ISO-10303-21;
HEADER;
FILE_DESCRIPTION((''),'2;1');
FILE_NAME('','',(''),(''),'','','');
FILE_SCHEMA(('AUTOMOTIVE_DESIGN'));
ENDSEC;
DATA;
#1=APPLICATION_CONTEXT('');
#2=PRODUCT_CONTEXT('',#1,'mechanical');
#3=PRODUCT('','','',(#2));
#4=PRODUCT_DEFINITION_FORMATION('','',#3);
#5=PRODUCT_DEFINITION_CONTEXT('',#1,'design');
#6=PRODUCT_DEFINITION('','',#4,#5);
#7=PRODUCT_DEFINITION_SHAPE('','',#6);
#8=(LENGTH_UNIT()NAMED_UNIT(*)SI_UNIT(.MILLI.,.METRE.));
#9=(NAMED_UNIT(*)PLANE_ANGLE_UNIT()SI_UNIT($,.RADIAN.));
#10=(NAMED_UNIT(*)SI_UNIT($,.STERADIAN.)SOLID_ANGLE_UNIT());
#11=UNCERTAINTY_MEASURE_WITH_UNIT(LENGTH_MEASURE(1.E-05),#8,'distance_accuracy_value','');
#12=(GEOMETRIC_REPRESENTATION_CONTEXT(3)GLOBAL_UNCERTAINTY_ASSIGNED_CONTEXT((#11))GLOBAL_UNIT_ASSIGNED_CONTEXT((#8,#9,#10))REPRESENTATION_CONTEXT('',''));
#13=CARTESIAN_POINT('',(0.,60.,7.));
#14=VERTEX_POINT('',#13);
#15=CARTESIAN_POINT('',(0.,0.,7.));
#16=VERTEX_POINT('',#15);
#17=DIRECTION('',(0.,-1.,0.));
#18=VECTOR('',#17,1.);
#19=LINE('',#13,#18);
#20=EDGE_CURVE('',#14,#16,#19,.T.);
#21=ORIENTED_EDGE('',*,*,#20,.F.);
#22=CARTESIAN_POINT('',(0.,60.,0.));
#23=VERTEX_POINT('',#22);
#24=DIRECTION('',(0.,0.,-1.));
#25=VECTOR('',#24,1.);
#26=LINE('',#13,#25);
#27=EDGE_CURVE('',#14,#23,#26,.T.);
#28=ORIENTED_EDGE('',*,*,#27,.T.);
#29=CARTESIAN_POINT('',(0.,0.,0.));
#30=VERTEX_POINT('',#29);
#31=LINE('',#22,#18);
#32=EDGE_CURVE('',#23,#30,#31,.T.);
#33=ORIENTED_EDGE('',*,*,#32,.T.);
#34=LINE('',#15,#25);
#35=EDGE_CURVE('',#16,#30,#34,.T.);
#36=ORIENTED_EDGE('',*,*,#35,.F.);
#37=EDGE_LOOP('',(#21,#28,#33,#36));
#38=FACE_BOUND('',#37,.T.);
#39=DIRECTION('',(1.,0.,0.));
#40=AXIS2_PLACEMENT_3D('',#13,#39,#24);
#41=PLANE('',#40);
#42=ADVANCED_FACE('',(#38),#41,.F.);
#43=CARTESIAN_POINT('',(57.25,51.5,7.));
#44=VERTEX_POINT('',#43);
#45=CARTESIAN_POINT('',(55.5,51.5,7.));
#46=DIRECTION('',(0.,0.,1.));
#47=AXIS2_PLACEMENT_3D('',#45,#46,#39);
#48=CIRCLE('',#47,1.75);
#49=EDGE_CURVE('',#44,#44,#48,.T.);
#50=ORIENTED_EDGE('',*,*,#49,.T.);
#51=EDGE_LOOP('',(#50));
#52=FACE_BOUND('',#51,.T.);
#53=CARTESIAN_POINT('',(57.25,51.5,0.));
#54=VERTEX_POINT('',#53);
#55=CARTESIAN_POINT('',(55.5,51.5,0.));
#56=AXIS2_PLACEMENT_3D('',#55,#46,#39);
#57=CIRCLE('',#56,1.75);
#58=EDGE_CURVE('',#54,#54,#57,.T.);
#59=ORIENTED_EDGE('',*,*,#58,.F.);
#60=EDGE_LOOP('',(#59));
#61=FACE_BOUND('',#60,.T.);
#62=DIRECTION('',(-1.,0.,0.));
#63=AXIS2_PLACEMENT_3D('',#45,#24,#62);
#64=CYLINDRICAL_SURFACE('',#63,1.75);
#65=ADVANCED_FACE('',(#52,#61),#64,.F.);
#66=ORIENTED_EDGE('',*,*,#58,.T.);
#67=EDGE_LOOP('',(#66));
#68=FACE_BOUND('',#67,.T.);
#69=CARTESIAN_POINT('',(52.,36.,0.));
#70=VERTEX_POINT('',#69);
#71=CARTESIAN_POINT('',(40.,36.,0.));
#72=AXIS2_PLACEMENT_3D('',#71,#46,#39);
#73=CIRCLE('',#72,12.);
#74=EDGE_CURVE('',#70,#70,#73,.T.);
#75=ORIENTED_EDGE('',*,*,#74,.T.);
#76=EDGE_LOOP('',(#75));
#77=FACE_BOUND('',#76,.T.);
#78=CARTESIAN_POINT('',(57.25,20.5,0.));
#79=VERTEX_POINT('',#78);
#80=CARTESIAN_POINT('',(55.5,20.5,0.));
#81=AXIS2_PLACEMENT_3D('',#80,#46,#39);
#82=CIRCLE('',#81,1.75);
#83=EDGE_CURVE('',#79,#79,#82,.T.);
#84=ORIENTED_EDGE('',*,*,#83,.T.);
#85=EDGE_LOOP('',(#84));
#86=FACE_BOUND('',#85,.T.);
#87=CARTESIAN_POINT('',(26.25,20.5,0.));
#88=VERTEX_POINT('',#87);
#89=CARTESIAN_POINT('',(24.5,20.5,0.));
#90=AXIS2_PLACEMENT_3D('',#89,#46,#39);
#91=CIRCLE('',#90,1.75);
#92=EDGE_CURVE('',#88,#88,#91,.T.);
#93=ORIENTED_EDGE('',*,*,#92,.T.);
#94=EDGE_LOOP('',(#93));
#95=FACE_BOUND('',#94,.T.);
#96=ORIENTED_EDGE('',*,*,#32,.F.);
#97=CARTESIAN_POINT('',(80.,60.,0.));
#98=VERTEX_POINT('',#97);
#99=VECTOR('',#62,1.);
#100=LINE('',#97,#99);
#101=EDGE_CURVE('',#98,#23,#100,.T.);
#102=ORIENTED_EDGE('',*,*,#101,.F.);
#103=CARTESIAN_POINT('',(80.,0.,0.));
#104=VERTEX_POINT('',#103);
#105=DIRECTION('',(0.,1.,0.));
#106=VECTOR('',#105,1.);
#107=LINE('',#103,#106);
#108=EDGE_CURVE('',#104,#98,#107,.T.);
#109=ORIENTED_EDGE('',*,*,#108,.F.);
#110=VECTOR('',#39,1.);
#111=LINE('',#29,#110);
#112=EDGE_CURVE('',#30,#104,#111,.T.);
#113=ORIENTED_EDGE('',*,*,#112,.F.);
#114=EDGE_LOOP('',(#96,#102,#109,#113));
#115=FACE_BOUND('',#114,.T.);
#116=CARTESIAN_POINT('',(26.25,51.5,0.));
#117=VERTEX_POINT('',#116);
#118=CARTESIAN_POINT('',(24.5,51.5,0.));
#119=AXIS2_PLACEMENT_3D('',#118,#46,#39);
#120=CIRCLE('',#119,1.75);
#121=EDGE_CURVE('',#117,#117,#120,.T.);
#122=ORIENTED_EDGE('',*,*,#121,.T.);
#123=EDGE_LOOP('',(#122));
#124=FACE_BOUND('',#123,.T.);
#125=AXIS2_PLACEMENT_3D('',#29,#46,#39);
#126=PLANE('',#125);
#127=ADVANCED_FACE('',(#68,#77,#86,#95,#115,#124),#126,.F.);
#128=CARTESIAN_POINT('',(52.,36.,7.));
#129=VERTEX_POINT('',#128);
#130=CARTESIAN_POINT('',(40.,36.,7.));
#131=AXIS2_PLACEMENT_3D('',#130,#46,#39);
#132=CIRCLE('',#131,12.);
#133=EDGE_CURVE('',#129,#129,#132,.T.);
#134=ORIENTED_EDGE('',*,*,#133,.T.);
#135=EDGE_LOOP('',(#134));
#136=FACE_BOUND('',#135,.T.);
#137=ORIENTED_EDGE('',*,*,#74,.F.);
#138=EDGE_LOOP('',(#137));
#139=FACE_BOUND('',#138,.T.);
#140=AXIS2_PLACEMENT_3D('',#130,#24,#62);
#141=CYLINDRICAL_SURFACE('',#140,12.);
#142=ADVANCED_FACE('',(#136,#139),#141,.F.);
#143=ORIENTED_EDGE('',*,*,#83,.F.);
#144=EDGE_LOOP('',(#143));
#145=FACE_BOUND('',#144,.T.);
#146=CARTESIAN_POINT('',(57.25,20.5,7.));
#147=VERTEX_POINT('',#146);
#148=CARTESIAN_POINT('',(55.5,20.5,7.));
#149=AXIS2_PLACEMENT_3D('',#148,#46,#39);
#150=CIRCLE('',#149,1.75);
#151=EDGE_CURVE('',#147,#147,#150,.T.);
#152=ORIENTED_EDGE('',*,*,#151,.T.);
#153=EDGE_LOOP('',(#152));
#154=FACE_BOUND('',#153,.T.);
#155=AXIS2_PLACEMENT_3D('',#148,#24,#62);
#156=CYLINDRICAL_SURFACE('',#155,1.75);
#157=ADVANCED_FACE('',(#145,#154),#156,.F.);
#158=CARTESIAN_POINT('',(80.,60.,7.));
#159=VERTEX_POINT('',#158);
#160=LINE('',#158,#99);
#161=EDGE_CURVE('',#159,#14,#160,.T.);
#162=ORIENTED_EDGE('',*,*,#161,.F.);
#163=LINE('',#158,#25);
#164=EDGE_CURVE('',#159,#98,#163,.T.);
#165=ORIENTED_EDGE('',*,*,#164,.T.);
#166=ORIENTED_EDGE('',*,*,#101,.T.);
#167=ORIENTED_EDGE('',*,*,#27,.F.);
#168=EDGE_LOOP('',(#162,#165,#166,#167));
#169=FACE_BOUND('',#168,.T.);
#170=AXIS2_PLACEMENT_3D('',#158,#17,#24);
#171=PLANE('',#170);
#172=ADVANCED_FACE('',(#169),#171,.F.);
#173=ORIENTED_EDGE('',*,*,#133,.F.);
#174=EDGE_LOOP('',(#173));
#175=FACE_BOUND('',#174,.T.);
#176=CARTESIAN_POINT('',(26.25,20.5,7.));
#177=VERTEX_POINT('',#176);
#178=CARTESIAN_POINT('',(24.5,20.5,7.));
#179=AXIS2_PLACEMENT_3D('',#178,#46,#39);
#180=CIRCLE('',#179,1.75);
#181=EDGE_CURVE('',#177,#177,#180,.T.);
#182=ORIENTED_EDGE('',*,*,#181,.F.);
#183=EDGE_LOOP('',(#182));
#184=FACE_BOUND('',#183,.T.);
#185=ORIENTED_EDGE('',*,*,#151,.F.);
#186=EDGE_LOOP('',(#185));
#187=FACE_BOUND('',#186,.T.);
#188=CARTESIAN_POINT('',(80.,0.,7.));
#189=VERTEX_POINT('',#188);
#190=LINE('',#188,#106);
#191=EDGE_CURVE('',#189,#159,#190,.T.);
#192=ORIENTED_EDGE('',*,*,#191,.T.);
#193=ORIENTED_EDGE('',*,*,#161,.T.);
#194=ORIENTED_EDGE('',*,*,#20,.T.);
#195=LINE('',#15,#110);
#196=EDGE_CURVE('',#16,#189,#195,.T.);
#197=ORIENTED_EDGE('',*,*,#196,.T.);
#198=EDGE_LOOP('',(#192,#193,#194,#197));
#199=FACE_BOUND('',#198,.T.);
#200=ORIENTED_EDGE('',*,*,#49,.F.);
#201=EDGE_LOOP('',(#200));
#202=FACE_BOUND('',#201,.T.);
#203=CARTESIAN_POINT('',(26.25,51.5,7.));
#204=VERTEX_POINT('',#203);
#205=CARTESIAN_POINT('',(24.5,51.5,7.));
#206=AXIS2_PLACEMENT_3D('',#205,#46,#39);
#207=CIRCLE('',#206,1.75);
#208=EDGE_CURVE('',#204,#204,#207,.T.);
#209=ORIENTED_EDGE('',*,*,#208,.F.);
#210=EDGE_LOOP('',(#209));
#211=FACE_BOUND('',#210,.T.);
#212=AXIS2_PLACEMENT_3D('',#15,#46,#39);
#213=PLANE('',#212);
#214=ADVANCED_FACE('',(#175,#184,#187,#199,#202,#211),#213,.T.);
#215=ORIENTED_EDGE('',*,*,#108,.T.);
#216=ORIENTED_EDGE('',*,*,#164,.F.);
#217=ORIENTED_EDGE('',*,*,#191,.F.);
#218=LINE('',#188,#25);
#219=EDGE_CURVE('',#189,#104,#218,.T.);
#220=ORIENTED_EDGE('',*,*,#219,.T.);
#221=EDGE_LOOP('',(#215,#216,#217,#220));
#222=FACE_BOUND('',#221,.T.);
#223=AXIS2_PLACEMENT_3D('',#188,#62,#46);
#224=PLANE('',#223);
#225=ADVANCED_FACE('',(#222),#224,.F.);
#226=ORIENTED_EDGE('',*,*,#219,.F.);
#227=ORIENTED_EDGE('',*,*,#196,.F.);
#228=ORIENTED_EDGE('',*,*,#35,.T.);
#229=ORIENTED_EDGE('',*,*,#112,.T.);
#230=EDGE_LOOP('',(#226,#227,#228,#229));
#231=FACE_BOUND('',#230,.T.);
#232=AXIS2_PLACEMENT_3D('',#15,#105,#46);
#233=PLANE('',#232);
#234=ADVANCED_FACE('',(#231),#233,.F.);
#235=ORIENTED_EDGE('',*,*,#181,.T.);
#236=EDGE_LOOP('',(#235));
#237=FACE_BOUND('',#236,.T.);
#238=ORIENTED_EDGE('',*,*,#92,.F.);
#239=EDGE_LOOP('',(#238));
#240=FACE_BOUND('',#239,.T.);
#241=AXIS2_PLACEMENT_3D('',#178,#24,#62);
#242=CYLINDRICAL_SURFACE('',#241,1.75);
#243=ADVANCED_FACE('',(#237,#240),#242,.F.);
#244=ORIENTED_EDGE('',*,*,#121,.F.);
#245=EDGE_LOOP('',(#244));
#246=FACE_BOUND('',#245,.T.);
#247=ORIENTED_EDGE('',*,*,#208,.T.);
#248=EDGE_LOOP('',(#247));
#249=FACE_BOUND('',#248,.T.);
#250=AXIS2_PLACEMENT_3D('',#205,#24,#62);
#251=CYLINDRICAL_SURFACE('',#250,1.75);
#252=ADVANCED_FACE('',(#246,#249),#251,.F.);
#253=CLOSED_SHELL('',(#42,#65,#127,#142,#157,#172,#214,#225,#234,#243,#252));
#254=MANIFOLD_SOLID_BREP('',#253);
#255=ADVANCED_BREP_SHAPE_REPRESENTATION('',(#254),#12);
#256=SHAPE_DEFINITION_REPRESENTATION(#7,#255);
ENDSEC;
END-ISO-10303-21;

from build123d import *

# Parameters (mm, degrees)
Z_MOTOR_MOUNT_W   = 80
Z_MOTOR_MOUNT_H   = 60
Z_MOTOR_MOUNT_R   = 12
Z_MOTOR_MOUNT_R_2 = 1.75
F_7MM_DEPTH       = 7


with BuildPart() as part:
    # 外形与孔位_z_motor_mount → 板厚_7mm (new body)
    with BuildSketch(Plane.XY):
        with Locations((40, 30)):
            Rectangle(Z_MOTOR_MOUNT_W, Z_MOTOR_MOUNT_H)
        with Locations((40, 36)):
            Circle(Z_MOTOR_MOUNT_R, mode=Mode.SUBTRACT)
        with Locations((24.5, 20.5)):
            Circle(Z_MOTOR_MOUNT_R_2, mode=Mode.SUBTRACT)
        with Locations((24.5, 51.5)):
            Circle(Z_MOTOR_MOUNT_R_2, mode=Mode.SUBTRACT)
        with Locations((55.5, 20.5)):
            Circle(Z_MOTOR_MOUNT_R_2, mode=Mode.SUBTRACT)
        with Locations((55.5, 51.5)):
            Circle(Z_MOTOR_MOUNT_R_2, mode=Mode.SUBTRACT)
    extrude(amount=F_7MM_DEPTH)


solid = part.part
